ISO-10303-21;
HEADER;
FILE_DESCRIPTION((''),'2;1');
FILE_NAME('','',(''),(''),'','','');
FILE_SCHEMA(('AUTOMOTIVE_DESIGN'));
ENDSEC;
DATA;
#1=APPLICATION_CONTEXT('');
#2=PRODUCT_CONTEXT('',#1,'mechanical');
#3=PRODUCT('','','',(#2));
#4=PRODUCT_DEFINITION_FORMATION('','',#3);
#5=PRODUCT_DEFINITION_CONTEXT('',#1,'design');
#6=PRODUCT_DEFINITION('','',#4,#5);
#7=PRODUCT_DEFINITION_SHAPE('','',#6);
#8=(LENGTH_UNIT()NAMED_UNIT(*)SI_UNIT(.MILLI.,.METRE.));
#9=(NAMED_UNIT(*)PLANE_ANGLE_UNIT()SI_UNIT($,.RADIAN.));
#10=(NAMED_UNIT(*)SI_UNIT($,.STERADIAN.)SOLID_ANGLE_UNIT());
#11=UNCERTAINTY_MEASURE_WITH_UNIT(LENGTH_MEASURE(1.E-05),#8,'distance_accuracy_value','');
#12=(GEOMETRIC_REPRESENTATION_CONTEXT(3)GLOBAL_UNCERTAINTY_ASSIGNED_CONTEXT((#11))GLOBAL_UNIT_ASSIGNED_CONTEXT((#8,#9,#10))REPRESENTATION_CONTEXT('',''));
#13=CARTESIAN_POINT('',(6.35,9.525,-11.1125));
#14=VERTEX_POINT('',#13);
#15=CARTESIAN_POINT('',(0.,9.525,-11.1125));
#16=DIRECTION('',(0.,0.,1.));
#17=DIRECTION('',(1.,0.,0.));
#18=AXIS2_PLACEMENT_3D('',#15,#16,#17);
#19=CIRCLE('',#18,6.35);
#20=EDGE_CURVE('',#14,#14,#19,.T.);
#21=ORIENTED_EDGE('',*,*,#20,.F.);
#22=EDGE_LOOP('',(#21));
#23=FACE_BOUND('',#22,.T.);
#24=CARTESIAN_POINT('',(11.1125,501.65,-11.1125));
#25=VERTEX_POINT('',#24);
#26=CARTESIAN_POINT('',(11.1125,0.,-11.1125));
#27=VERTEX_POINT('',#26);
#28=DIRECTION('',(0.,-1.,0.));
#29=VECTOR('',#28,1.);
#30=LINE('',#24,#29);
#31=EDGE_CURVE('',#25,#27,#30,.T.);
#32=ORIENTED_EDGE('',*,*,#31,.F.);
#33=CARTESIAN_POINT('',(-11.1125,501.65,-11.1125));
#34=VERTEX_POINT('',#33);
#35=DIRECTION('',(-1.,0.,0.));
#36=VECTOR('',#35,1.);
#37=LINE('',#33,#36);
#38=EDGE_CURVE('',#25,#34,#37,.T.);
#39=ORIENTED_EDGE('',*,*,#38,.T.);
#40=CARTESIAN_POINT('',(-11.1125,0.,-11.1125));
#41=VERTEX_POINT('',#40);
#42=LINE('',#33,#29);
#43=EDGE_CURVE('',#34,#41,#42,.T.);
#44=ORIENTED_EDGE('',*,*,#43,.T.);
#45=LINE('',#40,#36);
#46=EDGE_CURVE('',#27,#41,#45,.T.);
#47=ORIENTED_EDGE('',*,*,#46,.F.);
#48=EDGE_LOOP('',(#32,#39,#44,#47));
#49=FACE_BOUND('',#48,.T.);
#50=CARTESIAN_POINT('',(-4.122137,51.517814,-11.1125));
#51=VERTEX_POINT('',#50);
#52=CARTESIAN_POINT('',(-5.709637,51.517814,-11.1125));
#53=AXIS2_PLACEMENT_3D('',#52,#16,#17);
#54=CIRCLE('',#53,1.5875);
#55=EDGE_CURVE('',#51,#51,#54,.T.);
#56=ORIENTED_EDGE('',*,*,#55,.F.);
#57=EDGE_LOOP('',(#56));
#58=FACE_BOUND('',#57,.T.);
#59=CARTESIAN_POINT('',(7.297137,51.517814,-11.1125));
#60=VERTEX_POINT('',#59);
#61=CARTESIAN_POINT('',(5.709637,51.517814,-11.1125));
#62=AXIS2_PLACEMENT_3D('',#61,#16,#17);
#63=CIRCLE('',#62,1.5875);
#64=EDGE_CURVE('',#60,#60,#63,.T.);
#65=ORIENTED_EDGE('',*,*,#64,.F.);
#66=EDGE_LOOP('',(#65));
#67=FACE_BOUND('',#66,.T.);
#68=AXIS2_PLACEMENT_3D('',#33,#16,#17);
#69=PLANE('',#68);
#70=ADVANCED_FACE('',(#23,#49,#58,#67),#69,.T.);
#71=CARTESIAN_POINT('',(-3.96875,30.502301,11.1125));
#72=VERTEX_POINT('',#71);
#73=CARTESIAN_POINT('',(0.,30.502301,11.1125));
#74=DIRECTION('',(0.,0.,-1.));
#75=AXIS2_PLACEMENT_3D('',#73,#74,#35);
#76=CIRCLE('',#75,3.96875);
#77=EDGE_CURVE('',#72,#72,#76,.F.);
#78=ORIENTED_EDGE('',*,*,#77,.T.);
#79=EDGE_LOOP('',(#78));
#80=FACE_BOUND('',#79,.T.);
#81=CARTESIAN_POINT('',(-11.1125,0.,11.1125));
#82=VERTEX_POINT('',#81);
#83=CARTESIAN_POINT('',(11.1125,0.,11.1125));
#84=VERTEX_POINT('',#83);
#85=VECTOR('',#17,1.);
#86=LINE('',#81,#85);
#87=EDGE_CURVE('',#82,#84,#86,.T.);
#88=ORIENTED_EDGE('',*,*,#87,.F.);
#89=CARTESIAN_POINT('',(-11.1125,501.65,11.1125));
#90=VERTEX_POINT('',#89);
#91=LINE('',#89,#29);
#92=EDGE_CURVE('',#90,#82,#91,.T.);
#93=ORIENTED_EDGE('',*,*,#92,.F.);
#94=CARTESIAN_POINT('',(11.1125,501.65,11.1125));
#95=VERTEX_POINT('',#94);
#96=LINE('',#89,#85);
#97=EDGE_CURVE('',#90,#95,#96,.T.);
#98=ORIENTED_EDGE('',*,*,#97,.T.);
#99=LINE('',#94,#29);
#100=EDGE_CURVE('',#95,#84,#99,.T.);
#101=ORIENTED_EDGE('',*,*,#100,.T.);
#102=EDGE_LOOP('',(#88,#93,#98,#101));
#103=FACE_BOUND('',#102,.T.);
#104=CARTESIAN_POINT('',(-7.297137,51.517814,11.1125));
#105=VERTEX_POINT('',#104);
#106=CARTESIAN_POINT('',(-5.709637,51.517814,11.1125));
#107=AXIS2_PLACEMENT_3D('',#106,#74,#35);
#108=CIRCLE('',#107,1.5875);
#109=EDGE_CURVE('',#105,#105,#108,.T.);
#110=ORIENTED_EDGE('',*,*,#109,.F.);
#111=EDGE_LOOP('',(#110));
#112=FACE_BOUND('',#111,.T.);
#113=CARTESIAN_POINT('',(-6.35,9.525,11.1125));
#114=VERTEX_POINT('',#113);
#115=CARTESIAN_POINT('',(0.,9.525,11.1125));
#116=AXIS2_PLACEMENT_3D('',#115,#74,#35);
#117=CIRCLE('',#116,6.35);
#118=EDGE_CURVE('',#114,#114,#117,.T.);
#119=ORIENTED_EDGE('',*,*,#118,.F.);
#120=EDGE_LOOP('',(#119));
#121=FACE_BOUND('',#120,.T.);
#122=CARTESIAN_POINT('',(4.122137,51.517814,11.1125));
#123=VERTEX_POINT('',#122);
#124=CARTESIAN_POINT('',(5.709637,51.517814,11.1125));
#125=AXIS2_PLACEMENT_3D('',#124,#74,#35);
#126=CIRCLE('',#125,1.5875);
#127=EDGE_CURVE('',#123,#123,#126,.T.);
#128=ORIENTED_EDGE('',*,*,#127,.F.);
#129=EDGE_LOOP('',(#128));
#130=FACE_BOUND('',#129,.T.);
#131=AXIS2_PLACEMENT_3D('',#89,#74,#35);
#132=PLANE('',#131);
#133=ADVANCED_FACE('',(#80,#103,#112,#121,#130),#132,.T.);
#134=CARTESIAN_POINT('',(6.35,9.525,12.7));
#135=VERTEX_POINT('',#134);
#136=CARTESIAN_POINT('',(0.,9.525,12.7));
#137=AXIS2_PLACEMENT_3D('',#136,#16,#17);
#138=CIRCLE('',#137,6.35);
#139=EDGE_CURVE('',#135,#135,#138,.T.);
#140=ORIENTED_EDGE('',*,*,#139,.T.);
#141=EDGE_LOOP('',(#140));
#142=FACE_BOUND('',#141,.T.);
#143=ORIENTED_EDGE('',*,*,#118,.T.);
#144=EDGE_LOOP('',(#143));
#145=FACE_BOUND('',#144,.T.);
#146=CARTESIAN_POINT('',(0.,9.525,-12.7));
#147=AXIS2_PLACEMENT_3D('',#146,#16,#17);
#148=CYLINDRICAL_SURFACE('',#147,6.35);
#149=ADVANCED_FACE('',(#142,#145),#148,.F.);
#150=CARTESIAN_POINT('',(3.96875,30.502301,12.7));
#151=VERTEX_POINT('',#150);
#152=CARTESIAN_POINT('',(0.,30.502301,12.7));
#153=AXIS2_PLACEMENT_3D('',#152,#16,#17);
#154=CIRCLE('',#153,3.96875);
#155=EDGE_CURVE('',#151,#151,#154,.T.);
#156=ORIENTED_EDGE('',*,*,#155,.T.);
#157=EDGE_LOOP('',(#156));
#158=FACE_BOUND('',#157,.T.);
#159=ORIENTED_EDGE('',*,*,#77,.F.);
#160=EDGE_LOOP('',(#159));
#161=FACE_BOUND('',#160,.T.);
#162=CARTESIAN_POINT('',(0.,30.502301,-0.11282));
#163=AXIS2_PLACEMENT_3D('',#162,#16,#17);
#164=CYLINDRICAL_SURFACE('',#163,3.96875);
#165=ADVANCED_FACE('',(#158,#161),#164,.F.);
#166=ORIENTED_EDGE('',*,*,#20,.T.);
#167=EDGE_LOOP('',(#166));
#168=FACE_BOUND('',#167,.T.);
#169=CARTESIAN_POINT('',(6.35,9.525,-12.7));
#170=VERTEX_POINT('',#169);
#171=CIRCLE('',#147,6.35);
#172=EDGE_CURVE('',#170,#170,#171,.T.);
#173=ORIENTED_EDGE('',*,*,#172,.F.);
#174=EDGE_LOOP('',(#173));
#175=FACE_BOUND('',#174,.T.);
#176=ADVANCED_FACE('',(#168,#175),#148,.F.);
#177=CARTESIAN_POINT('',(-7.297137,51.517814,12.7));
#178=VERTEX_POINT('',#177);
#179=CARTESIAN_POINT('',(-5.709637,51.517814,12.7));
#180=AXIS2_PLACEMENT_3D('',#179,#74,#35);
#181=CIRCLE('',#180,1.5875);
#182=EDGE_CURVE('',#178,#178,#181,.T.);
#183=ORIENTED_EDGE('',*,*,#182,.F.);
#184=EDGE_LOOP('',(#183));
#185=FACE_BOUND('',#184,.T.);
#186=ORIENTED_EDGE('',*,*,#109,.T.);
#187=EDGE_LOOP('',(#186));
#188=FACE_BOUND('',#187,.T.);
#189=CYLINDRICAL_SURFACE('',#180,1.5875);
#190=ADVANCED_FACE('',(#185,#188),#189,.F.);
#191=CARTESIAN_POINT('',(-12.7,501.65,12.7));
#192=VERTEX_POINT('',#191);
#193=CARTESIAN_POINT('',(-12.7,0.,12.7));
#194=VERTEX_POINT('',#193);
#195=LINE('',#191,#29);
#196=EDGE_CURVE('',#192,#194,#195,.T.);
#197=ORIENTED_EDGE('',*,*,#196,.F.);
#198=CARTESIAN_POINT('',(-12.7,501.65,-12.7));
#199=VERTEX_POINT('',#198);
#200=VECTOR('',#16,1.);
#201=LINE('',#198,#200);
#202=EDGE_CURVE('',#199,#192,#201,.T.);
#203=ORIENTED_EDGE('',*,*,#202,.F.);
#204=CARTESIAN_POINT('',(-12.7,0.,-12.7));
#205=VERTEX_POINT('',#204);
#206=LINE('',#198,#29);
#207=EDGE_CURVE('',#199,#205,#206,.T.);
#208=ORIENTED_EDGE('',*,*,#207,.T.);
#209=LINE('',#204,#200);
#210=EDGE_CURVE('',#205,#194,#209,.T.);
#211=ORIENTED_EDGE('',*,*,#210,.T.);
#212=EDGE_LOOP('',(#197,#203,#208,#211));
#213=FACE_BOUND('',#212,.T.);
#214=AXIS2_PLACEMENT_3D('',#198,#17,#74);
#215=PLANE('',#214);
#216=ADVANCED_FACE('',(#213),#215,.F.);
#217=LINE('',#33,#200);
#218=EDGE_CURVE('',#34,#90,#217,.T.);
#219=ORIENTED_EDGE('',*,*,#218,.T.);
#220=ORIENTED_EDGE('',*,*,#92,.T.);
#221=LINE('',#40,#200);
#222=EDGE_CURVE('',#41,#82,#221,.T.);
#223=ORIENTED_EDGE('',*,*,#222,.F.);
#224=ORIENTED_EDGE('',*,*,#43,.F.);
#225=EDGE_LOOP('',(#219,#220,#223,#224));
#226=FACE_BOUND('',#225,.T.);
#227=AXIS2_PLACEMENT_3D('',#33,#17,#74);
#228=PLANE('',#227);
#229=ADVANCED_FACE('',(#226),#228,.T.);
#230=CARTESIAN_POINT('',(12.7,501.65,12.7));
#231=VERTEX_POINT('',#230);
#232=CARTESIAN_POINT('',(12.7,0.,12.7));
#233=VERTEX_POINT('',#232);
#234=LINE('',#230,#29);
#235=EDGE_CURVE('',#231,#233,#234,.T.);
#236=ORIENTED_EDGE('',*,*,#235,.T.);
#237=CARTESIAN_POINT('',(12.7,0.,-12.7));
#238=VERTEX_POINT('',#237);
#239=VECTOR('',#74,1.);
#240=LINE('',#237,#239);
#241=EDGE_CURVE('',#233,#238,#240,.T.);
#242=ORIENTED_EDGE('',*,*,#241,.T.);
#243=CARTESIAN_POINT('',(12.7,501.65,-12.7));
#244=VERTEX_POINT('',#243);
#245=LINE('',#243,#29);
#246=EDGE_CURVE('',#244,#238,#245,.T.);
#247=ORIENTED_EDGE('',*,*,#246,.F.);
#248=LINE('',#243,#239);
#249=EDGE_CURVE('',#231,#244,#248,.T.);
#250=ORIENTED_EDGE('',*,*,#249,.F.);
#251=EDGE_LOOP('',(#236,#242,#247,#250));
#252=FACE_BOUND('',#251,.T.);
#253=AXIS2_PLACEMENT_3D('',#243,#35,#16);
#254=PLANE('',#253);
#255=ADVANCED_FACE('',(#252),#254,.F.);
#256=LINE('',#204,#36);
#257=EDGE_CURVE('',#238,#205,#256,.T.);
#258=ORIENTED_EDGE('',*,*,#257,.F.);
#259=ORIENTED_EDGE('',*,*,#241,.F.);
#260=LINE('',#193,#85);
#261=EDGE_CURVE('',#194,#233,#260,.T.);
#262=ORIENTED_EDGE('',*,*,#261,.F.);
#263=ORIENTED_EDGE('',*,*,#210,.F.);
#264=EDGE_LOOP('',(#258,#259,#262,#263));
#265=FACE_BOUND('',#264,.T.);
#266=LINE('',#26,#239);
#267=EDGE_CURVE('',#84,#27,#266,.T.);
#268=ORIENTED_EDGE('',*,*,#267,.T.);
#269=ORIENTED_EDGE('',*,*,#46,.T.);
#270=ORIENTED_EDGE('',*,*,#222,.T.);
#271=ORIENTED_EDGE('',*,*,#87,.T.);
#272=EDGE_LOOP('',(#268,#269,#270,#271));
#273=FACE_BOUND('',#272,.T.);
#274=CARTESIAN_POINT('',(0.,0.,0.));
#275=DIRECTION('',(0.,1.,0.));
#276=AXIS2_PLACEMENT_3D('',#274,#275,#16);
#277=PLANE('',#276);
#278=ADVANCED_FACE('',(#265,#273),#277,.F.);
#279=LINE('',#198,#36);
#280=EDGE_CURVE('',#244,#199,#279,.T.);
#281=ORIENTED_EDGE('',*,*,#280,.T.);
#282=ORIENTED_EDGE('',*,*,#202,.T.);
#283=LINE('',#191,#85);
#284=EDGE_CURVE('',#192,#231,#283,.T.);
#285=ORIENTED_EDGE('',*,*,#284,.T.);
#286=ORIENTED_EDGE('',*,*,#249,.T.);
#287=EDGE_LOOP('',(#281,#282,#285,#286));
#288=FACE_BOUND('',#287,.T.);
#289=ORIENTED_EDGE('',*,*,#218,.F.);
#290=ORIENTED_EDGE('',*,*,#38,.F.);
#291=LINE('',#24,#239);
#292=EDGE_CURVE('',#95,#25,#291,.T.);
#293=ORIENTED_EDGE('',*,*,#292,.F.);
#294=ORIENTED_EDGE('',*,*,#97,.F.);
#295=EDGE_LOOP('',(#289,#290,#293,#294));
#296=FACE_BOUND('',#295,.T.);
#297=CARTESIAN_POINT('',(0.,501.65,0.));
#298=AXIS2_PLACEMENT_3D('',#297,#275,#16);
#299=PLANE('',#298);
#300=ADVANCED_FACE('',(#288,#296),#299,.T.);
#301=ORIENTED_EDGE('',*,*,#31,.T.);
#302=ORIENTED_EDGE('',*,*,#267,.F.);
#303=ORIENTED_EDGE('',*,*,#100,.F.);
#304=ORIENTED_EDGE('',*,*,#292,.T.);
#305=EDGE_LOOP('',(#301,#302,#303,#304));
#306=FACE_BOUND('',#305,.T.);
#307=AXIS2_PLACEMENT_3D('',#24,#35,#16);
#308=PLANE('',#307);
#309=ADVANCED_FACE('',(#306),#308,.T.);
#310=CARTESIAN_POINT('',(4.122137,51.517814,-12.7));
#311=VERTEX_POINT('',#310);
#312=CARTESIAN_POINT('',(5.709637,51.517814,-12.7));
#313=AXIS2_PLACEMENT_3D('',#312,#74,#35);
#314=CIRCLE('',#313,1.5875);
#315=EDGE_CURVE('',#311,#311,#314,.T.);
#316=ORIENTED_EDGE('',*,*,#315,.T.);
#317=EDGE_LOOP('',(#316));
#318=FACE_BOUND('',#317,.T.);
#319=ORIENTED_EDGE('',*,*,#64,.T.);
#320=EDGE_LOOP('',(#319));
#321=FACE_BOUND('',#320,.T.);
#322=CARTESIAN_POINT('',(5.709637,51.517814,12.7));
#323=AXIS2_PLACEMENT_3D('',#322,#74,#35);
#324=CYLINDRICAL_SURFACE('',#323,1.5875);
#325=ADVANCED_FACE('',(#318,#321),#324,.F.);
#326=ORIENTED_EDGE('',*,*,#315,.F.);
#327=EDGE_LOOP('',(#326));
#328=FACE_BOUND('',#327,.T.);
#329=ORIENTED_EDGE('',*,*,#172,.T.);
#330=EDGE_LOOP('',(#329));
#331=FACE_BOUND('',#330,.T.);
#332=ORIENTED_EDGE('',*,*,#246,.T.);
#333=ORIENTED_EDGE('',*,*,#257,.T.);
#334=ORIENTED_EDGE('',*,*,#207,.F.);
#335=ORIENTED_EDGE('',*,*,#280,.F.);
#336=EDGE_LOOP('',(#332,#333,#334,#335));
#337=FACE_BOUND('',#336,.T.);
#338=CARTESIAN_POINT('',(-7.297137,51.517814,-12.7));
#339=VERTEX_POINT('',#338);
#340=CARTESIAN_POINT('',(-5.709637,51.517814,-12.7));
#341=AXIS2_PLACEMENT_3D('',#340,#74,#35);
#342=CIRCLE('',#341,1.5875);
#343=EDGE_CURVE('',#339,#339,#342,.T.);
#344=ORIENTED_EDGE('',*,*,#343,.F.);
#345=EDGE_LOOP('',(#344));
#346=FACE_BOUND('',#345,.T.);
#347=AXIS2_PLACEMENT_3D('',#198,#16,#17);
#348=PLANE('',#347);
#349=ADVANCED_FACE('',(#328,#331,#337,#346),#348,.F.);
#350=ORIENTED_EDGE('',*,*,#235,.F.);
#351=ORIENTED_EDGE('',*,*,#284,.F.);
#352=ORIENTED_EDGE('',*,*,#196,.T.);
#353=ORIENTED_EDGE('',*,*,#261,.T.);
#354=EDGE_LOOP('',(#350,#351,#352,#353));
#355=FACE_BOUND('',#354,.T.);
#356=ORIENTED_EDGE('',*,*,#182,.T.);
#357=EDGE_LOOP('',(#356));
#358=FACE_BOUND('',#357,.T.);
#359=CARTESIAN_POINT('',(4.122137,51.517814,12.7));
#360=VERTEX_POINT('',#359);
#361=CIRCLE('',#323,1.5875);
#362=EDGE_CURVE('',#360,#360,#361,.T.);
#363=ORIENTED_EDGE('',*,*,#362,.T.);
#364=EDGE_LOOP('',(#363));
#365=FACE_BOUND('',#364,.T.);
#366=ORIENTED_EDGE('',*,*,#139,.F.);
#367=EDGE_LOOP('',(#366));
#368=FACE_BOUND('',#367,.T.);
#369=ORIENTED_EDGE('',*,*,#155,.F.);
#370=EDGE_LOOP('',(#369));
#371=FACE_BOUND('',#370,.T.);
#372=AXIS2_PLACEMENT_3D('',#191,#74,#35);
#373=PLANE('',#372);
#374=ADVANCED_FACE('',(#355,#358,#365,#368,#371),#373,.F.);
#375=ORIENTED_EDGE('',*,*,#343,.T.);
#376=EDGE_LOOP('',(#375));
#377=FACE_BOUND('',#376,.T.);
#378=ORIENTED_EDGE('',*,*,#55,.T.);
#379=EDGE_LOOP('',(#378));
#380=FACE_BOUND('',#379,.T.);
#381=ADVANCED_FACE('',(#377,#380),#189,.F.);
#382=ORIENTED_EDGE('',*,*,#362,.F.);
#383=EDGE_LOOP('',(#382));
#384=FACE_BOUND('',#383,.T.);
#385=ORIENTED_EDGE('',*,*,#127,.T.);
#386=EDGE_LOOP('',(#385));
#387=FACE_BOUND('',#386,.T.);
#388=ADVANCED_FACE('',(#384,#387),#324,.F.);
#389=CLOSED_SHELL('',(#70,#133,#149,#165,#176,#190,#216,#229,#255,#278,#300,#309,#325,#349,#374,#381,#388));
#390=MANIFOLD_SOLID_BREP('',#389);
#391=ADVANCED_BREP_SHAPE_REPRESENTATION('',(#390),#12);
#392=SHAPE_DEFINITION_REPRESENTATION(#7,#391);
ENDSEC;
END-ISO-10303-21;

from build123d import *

# Parameters (mm, degrees)
SKETCH1_W           = 25.4
SKETCH1_H           = 25.4
SKETCH1_W_2         = 22.225
SKETCH1_H_2         = 22.225
BOSS_EXTRUDE1_DEPTH = 501.65
SKETCH4_R           = 6.35
CUT_EXTRUDE1_DEPTH  = 26.4
SKETCH5_R           = 1.5875
CUT_EXTRUDE2_DEPTH  = 26.4
SKETCH7_R           = 3.96875
CUT_EXTRUDE3_DEPTH  = 1.5875


with BuildPart() as part:
    # Sketch1 → Boss-Extrude1 (new body)
    with BuildSketch(Plane(origin=(0, 0, 0), x_dir=(1, 0, 0), z_dir=(0, 1, 0))):
        Rectangle(SKETCH1_W, SKETCH1_H)
        Rectangle(SKETCH1_W_2, SKETCH1_H_2, mode=Mode.SUBTRACT)
    extrude(amount=BOSS_EXTRUDE1_DEPTH)

    # Sketch4 → Cut-Extrude1 (cut, through all)
    with BuildSketch(Plane.XY.offset(12.7)):
        with Locations((0, 9.525)):
            Circle(SKETCH4_R)
    extrude(amount=-CUT_EXTRUDE1_DEPTH, mode=Mode.SUBTRACT)

    # Sketch5 → Cut-Extrude2 (cut, through all)
    with BuildSketch(Plane(origin=(0, 0, -12.7), x_dir=(-1, 0, 0), z_dir=(0, 0, -1))):
        with Locations((-5.709637497, 51.517813992)):
            Circle(SKETCH5_R)
        with Locations((5.709637497, 51.517813992)):
            Circle(SKETCH5_R)
    extrude(amount=-CUT_EXTRUDE2_DEPTH, mode=Mode.SUBTRACT)

    # Sketch7 → Cut-Extrude3 (cut)
    with BuildSketch(Plane.XY.offset(12.7)):
        with Locations((0, 30.5023012)):
            Circle(SKETCH7_R)
    extrude(amount=-CUT_EXTRUDE3_DEPTH, mode=Mode.SUBTRACT)


solid = part.part
